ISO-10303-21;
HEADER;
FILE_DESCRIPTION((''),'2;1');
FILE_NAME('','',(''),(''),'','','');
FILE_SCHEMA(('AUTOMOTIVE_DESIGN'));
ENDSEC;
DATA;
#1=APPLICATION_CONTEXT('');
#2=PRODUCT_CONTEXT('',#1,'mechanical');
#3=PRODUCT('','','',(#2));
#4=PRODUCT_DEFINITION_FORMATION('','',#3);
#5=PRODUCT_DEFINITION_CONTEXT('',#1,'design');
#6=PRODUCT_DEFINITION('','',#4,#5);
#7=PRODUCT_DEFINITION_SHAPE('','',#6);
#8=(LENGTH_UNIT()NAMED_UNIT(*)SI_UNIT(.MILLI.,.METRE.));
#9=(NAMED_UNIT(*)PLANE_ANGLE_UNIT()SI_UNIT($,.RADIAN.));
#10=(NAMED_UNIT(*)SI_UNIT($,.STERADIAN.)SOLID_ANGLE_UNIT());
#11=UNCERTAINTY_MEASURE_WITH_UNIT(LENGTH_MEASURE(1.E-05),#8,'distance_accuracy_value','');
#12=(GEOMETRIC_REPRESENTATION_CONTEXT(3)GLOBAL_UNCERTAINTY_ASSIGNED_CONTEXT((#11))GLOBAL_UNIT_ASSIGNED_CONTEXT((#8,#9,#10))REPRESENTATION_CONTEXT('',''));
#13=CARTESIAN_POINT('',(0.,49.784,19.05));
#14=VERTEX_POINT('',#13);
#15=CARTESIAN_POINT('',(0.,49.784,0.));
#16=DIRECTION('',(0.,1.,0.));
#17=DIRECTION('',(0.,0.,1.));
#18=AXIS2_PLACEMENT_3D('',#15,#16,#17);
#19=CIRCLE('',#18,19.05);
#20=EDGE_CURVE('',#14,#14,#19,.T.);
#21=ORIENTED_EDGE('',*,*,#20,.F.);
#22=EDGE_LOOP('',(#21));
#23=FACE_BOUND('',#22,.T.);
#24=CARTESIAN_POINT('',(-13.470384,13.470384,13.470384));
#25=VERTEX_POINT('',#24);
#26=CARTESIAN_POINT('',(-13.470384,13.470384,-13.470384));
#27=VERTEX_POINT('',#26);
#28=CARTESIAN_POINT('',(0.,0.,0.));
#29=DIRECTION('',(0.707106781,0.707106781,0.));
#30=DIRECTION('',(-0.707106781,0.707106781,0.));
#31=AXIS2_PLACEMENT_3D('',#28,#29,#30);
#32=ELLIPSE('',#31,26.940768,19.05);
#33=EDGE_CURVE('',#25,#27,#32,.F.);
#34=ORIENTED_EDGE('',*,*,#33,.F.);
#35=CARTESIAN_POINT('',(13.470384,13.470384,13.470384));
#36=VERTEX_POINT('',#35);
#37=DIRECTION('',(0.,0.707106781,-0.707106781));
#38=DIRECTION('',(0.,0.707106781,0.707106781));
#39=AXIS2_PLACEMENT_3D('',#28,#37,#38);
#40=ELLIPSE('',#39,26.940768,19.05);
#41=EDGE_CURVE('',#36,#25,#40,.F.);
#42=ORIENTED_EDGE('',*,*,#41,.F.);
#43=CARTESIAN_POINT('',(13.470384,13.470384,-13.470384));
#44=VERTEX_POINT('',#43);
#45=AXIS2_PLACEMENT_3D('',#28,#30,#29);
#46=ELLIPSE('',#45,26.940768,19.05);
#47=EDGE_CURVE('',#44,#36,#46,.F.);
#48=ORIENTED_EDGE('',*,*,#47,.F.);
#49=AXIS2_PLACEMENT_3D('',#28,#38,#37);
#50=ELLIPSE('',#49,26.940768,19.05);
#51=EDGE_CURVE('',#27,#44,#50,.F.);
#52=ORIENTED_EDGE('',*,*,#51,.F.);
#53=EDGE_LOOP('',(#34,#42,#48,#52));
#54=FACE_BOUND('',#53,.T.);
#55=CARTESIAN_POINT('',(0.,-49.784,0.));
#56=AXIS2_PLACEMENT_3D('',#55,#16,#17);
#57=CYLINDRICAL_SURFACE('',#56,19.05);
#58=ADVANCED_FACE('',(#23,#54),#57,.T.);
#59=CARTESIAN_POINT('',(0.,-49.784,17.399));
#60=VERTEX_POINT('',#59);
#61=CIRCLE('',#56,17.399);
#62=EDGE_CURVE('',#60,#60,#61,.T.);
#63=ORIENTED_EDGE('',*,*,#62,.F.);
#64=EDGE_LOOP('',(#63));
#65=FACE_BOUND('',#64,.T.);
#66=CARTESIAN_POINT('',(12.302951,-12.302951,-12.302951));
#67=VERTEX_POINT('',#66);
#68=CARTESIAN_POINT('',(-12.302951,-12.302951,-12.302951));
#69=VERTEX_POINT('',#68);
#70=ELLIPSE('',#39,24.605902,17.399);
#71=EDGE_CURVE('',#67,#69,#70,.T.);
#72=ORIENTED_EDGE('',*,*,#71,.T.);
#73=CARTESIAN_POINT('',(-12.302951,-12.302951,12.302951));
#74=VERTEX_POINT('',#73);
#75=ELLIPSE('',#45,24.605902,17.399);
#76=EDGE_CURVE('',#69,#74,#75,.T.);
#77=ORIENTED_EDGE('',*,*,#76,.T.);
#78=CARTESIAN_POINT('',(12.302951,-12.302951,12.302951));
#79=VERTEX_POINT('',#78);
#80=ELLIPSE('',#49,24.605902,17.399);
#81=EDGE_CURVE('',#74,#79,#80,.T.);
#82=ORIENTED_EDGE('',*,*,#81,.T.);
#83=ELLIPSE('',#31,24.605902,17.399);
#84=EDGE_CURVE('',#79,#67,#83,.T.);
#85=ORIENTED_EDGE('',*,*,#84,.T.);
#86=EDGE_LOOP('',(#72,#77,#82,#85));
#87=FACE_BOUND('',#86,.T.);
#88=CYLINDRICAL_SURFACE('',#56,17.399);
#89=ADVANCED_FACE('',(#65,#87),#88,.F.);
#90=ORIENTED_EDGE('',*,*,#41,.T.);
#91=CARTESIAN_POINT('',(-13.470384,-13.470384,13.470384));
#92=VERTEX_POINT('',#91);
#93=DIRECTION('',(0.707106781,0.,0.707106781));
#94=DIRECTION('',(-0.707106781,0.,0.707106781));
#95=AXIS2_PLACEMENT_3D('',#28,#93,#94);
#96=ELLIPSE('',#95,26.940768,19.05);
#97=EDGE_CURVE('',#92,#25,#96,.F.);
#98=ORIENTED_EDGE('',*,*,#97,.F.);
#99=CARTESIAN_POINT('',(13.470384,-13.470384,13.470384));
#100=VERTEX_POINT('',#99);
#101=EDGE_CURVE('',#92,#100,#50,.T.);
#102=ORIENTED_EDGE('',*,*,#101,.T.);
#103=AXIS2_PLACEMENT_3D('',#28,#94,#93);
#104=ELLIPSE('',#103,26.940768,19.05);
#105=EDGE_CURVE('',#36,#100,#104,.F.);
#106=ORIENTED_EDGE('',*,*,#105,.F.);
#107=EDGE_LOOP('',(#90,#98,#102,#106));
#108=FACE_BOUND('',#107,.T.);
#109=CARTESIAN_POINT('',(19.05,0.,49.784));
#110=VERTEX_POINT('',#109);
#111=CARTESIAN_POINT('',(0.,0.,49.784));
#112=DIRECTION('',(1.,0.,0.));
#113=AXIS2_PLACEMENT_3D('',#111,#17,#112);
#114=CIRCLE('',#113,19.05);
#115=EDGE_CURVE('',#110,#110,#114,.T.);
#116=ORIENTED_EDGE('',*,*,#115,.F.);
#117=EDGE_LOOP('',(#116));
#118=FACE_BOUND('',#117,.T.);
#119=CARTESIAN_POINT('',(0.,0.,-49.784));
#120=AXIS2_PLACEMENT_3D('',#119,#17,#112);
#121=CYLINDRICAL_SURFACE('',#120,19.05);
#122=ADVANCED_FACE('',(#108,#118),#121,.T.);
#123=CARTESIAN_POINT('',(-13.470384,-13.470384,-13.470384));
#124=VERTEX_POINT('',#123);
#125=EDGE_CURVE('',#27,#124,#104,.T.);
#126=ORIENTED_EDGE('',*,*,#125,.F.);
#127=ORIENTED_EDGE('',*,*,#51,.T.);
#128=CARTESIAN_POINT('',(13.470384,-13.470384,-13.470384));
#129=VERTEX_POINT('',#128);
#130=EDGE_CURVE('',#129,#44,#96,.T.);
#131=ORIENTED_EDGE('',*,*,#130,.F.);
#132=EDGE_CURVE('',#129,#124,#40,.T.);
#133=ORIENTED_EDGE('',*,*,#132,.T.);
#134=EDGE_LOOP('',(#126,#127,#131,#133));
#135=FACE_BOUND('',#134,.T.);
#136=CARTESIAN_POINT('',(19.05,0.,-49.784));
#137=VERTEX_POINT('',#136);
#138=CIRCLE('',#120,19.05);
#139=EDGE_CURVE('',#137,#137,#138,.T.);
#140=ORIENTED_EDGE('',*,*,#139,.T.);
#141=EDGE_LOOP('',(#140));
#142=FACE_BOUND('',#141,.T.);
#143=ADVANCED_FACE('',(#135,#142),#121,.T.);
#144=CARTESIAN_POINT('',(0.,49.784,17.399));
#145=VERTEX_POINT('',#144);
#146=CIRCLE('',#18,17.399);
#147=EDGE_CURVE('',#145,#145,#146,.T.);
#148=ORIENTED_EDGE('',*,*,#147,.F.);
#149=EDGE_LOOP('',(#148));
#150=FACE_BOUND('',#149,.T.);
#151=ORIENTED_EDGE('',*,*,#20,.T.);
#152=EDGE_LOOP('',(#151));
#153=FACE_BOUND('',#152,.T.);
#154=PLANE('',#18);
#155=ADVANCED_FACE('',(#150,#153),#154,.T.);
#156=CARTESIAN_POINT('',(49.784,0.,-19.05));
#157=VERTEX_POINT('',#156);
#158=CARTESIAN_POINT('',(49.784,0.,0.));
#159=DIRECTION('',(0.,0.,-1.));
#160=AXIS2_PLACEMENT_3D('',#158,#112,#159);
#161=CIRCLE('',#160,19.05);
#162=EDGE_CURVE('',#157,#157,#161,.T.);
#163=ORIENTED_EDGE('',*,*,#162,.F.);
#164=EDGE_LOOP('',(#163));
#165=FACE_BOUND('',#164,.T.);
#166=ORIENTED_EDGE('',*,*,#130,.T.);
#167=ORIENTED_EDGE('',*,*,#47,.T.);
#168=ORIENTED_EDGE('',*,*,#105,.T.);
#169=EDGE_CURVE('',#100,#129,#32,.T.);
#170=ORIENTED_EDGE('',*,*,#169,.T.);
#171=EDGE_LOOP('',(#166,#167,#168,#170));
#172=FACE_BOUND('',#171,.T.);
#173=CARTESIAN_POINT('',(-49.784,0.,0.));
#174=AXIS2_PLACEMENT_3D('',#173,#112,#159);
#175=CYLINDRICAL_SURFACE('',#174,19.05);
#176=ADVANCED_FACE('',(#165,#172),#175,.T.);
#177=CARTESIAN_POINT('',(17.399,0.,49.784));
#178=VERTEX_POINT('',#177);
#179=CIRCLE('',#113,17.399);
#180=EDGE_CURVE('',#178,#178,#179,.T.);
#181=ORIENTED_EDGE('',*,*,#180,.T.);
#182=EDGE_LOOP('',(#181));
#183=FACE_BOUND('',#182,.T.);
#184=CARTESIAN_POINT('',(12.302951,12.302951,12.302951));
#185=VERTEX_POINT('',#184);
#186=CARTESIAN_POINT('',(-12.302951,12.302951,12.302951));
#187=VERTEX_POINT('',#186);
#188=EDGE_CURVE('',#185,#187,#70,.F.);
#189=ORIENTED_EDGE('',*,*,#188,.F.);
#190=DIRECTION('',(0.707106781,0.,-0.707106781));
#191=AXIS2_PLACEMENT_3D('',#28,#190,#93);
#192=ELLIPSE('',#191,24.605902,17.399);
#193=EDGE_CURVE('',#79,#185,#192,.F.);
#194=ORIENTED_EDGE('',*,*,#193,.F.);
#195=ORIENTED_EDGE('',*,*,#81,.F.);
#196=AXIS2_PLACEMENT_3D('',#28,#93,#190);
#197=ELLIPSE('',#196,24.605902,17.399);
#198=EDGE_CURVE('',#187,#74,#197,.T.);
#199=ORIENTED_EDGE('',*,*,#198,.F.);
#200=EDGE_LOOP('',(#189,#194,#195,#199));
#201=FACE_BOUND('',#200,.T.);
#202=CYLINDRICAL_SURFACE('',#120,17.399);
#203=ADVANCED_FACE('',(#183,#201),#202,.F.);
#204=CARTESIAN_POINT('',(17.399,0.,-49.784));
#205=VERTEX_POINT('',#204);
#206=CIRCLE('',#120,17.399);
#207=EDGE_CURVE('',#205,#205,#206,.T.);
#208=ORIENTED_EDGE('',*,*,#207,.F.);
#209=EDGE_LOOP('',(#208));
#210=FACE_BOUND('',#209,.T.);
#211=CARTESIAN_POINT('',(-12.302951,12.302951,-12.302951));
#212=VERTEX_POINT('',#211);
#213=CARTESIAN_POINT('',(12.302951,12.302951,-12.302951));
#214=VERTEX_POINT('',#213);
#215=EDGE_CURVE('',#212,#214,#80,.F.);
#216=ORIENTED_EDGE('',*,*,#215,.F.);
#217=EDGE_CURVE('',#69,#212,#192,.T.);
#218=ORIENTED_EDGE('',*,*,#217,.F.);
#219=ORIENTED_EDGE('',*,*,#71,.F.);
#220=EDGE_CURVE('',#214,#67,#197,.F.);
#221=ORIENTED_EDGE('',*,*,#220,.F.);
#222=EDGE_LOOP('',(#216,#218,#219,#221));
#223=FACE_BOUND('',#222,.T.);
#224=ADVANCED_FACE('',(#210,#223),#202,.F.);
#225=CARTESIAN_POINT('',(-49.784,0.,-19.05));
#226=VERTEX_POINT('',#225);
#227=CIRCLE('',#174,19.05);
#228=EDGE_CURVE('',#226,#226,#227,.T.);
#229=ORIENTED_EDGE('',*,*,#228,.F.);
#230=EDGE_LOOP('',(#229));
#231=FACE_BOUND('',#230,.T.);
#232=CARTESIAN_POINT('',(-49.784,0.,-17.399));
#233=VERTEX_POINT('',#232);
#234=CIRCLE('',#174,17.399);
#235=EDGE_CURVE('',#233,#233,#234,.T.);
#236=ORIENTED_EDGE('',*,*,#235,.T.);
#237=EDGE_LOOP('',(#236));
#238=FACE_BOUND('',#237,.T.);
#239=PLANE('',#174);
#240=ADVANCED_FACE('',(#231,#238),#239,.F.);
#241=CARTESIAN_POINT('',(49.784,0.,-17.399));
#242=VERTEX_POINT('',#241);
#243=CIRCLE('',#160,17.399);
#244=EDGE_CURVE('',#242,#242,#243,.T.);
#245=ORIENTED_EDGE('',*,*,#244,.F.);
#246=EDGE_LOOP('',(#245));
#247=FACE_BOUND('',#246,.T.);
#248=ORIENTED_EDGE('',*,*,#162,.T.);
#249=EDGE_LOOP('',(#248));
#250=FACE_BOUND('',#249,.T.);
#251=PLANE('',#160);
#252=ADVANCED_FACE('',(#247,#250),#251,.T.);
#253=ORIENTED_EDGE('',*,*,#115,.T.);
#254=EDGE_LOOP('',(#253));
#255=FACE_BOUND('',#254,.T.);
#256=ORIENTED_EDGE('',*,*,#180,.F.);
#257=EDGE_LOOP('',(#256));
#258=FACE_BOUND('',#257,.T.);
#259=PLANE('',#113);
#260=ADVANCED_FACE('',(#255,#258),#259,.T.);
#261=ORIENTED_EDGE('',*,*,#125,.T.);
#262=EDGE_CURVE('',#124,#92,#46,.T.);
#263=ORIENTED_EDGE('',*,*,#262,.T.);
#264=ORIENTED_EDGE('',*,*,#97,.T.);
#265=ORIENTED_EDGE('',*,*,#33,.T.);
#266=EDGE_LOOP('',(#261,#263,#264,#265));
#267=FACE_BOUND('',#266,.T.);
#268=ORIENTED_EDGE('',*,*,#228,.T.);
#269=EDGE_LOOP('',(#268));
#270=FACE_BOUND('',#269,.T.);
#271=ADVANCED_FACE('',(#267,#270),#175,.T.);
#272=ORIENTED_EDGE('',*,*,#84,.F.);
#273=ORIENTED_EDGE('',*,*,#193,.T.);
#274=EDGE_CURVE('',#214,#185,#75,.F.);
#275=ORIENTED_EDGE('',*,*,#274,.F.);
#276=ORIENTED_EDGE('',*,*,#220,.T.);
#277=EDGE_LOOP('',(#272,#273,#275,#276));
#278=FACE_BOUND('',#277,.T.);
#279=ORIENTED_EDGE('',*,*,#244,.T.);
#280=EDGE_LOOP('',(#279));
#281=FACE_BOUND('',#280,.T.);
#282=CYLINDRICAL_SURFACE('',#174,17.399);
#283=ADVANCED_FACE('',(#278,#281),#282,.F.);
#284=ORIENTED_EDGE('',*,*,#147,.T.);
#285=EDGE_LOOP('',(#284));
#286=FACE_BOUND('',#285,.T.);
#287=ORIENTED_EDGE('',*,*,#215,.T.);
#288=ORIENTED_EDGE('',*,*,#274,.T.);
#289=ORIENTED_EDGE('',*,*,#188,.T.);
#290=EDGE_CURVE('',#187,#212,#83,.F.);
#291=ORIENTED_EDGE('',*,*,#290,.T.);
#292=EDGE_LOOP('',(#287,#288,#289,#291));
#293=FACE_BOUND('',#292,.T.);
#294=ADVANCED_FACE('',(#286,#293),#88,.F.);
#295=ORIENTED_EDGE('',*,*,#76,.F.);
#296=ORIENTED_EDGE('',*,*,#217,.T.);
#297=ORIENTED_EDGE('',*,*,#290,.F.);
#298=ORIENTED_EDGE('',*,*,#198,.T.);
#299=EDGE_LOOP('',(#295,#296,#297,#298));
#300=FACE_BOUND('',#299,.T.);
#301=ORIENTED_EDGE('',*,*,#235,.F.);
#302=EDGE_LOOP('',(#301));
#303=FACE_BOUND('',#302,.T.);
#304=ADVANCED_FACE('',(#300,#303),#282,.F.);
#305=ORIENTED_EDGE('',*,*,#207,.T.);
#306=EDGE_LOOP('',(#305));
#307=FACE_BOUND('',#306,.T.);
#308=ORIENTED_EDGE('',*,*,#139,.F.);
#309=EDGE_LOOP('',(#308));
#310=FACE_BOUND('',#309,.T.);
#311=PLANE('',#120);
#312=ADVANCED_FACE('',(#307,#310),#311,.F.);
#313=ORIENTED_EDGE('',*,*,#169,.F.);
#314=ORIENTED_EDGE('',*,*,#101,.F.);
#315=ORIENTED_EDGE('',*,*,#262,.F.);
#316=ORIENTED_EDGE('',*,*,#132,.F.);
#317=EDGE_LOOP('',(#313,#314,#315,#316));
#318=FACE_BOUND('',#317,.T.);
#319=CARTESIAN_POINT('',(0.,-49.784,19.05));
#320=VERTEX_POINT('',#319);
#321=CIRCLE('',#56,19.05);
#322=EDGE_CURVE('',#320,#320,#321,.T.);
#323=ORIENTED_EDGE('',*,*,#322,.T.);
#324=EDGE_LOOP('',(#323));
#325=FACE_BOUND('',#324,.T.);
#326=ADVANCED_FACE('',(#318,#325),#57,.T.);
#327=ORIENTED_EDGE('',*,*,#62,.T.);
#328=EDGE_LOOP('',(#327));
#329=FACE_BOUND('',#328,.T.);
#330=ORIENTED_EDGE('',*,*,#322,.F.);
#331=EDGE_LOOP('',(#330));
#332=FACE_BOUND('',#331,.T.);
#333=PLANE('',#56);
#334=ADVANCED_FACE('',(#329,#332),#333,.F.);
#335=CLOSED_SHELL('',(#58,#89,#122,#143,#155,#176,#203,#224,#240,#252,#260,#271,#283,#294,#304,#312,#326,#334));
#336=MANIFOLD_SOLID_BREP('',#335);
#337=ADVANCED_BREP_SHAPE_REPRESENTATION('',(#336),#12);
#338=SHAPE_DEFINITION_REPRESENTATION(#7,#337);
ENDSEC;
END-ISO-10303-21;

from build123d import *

# Parameters (mm, degrees)
EXTRUDE1_DEPTH          = 49.784
EXTRUDE1_DEPTH_BACK     = 49.784
SKETCH1_R               = 19.05
EXTRUDE2_DEPTH          = 49.784
EXTRUDE2_DEPTH_BACK     = 49.784
SKETCH2_R               = 19.05
EXTRUDE3_DEPTH          = 49.784
EXTRUDE3_DEPTH_BACK     = 49.784
SKETCH3_R               = 19.05
CUT_EXTRUDE1_DEPTH      = 87.228417404
CUT_EXTRUDE1_DEPTH_BACK = 87.228417404
SKETCH4_R               = 17.399
CUT_EXTRUDE2_DEPTH      = 87.228417404
CUT_EXTRUDE2_DEPTH_BACK = 87.228417404
SKETCH5_R               = 17.399
CUT_EXTRUDE3_DEPTH      = 87.228417404
CUT_EXTRUDE3_DEPTH_BACK = 87.228417404
SKETCH6_R               = 17.399


with BuildPart() as part:
    # Sketch1 → Extrude1 (new, two sides: drawn at the far end of the back side and taken through both)
    with BuildSketch(Plane(origin=(0, 0, 0), x_dir=(1, 0, 0), z_dir=(0, 1, 0)).offset(-EXTRUDE1_DEPTH_BACK)):
        with Locations(Location((0, 0, 0), (0, 0, 270))):
            Circle(SKETCH1_R)
    extrude(amount=EXTRUDE1_DEPTH + EXTRUDE1_DEPTH_BACK)

    # Sketch2 → Extrude2 (add, two sides: drawn at the far end of the back side and taken through both)
    with BuildSketch(Plane.XY.offset(-EXTRUDE2_DEPTH_BACK)):
        Circle(SKETCH2_R)
    extrude(amount=EXTRUDE2_DEPTH + EXTRUDE2_DEPTH_BACK)

    # Sketch3 → Extrude3 (add, two sides: drawn at the far end of the back side and taken through both)
    with BuildSketch(Plane(origin=(0, 0, 0), x_dir=(0, 0, -1), z_dir=(1, 0, 0)).offset(-EXTRUDE3_DEPTH_BACK)):
        Circle(SKETCH3_R)
    extrude(amount=EXTRUDE3_DEPTH + EXTRUDE3_DEPTH_BACK)

    # Sketch4 → Cut-Extrude1 (cut, two sides: drawn at the far end of the back side and taken through both)
    with BuildSketch(Plane(origin=(0, 0, 0), x_dir=(1, 0, 0), z_dir=(0, 1, 0)).offset(-CUT_EXTRUDE1_DEPTH_BACK)):
        with Locations(Location((0, 0, 0), (0, 0, 270))):
            Circle(SKETCH4_R)
    extrude(amount=CUT_EXTRUDE1_DEPTH + CUT_EXTRUDE1_DEPTH_BACK, mode=Mode.SUBTRACT)

    # Sketch5 → Cut-Extrude2 (cut, two sides: drawn at the far end of the back side and taken through both)
    with BuildSketch(Plane(origin=(0, 0, 0), x_dir=(0, 0, -1), z_dir=(1, 0, 0)).offset(-CUT_EXTRUDE2_DEPTH_BACK)):
        Circle(SKETCH5_R)
    extrude(amount=CUT_EXTRUDE2_DEPTH + CUT_EXTRUDE2_DEPTH_BACK, mode=Mode.SUBTRACT)

    # Sketch6 → Cut-Extrude3 (cut, two sides: drawn at the far end of the back side and taken through both)
    with BuildSketch(Plane.XY.offset(-CUT_EXTRUDE3_DEPTH_BACK)):
        Circle(SKETCH6_R)
    extrude(amount=CUT_EXTRUDE3_DEPTH + CUT_EXTRUDE3_DEPTH_BACK, mode=Mode.SUBTRACT)


solid = part.part
